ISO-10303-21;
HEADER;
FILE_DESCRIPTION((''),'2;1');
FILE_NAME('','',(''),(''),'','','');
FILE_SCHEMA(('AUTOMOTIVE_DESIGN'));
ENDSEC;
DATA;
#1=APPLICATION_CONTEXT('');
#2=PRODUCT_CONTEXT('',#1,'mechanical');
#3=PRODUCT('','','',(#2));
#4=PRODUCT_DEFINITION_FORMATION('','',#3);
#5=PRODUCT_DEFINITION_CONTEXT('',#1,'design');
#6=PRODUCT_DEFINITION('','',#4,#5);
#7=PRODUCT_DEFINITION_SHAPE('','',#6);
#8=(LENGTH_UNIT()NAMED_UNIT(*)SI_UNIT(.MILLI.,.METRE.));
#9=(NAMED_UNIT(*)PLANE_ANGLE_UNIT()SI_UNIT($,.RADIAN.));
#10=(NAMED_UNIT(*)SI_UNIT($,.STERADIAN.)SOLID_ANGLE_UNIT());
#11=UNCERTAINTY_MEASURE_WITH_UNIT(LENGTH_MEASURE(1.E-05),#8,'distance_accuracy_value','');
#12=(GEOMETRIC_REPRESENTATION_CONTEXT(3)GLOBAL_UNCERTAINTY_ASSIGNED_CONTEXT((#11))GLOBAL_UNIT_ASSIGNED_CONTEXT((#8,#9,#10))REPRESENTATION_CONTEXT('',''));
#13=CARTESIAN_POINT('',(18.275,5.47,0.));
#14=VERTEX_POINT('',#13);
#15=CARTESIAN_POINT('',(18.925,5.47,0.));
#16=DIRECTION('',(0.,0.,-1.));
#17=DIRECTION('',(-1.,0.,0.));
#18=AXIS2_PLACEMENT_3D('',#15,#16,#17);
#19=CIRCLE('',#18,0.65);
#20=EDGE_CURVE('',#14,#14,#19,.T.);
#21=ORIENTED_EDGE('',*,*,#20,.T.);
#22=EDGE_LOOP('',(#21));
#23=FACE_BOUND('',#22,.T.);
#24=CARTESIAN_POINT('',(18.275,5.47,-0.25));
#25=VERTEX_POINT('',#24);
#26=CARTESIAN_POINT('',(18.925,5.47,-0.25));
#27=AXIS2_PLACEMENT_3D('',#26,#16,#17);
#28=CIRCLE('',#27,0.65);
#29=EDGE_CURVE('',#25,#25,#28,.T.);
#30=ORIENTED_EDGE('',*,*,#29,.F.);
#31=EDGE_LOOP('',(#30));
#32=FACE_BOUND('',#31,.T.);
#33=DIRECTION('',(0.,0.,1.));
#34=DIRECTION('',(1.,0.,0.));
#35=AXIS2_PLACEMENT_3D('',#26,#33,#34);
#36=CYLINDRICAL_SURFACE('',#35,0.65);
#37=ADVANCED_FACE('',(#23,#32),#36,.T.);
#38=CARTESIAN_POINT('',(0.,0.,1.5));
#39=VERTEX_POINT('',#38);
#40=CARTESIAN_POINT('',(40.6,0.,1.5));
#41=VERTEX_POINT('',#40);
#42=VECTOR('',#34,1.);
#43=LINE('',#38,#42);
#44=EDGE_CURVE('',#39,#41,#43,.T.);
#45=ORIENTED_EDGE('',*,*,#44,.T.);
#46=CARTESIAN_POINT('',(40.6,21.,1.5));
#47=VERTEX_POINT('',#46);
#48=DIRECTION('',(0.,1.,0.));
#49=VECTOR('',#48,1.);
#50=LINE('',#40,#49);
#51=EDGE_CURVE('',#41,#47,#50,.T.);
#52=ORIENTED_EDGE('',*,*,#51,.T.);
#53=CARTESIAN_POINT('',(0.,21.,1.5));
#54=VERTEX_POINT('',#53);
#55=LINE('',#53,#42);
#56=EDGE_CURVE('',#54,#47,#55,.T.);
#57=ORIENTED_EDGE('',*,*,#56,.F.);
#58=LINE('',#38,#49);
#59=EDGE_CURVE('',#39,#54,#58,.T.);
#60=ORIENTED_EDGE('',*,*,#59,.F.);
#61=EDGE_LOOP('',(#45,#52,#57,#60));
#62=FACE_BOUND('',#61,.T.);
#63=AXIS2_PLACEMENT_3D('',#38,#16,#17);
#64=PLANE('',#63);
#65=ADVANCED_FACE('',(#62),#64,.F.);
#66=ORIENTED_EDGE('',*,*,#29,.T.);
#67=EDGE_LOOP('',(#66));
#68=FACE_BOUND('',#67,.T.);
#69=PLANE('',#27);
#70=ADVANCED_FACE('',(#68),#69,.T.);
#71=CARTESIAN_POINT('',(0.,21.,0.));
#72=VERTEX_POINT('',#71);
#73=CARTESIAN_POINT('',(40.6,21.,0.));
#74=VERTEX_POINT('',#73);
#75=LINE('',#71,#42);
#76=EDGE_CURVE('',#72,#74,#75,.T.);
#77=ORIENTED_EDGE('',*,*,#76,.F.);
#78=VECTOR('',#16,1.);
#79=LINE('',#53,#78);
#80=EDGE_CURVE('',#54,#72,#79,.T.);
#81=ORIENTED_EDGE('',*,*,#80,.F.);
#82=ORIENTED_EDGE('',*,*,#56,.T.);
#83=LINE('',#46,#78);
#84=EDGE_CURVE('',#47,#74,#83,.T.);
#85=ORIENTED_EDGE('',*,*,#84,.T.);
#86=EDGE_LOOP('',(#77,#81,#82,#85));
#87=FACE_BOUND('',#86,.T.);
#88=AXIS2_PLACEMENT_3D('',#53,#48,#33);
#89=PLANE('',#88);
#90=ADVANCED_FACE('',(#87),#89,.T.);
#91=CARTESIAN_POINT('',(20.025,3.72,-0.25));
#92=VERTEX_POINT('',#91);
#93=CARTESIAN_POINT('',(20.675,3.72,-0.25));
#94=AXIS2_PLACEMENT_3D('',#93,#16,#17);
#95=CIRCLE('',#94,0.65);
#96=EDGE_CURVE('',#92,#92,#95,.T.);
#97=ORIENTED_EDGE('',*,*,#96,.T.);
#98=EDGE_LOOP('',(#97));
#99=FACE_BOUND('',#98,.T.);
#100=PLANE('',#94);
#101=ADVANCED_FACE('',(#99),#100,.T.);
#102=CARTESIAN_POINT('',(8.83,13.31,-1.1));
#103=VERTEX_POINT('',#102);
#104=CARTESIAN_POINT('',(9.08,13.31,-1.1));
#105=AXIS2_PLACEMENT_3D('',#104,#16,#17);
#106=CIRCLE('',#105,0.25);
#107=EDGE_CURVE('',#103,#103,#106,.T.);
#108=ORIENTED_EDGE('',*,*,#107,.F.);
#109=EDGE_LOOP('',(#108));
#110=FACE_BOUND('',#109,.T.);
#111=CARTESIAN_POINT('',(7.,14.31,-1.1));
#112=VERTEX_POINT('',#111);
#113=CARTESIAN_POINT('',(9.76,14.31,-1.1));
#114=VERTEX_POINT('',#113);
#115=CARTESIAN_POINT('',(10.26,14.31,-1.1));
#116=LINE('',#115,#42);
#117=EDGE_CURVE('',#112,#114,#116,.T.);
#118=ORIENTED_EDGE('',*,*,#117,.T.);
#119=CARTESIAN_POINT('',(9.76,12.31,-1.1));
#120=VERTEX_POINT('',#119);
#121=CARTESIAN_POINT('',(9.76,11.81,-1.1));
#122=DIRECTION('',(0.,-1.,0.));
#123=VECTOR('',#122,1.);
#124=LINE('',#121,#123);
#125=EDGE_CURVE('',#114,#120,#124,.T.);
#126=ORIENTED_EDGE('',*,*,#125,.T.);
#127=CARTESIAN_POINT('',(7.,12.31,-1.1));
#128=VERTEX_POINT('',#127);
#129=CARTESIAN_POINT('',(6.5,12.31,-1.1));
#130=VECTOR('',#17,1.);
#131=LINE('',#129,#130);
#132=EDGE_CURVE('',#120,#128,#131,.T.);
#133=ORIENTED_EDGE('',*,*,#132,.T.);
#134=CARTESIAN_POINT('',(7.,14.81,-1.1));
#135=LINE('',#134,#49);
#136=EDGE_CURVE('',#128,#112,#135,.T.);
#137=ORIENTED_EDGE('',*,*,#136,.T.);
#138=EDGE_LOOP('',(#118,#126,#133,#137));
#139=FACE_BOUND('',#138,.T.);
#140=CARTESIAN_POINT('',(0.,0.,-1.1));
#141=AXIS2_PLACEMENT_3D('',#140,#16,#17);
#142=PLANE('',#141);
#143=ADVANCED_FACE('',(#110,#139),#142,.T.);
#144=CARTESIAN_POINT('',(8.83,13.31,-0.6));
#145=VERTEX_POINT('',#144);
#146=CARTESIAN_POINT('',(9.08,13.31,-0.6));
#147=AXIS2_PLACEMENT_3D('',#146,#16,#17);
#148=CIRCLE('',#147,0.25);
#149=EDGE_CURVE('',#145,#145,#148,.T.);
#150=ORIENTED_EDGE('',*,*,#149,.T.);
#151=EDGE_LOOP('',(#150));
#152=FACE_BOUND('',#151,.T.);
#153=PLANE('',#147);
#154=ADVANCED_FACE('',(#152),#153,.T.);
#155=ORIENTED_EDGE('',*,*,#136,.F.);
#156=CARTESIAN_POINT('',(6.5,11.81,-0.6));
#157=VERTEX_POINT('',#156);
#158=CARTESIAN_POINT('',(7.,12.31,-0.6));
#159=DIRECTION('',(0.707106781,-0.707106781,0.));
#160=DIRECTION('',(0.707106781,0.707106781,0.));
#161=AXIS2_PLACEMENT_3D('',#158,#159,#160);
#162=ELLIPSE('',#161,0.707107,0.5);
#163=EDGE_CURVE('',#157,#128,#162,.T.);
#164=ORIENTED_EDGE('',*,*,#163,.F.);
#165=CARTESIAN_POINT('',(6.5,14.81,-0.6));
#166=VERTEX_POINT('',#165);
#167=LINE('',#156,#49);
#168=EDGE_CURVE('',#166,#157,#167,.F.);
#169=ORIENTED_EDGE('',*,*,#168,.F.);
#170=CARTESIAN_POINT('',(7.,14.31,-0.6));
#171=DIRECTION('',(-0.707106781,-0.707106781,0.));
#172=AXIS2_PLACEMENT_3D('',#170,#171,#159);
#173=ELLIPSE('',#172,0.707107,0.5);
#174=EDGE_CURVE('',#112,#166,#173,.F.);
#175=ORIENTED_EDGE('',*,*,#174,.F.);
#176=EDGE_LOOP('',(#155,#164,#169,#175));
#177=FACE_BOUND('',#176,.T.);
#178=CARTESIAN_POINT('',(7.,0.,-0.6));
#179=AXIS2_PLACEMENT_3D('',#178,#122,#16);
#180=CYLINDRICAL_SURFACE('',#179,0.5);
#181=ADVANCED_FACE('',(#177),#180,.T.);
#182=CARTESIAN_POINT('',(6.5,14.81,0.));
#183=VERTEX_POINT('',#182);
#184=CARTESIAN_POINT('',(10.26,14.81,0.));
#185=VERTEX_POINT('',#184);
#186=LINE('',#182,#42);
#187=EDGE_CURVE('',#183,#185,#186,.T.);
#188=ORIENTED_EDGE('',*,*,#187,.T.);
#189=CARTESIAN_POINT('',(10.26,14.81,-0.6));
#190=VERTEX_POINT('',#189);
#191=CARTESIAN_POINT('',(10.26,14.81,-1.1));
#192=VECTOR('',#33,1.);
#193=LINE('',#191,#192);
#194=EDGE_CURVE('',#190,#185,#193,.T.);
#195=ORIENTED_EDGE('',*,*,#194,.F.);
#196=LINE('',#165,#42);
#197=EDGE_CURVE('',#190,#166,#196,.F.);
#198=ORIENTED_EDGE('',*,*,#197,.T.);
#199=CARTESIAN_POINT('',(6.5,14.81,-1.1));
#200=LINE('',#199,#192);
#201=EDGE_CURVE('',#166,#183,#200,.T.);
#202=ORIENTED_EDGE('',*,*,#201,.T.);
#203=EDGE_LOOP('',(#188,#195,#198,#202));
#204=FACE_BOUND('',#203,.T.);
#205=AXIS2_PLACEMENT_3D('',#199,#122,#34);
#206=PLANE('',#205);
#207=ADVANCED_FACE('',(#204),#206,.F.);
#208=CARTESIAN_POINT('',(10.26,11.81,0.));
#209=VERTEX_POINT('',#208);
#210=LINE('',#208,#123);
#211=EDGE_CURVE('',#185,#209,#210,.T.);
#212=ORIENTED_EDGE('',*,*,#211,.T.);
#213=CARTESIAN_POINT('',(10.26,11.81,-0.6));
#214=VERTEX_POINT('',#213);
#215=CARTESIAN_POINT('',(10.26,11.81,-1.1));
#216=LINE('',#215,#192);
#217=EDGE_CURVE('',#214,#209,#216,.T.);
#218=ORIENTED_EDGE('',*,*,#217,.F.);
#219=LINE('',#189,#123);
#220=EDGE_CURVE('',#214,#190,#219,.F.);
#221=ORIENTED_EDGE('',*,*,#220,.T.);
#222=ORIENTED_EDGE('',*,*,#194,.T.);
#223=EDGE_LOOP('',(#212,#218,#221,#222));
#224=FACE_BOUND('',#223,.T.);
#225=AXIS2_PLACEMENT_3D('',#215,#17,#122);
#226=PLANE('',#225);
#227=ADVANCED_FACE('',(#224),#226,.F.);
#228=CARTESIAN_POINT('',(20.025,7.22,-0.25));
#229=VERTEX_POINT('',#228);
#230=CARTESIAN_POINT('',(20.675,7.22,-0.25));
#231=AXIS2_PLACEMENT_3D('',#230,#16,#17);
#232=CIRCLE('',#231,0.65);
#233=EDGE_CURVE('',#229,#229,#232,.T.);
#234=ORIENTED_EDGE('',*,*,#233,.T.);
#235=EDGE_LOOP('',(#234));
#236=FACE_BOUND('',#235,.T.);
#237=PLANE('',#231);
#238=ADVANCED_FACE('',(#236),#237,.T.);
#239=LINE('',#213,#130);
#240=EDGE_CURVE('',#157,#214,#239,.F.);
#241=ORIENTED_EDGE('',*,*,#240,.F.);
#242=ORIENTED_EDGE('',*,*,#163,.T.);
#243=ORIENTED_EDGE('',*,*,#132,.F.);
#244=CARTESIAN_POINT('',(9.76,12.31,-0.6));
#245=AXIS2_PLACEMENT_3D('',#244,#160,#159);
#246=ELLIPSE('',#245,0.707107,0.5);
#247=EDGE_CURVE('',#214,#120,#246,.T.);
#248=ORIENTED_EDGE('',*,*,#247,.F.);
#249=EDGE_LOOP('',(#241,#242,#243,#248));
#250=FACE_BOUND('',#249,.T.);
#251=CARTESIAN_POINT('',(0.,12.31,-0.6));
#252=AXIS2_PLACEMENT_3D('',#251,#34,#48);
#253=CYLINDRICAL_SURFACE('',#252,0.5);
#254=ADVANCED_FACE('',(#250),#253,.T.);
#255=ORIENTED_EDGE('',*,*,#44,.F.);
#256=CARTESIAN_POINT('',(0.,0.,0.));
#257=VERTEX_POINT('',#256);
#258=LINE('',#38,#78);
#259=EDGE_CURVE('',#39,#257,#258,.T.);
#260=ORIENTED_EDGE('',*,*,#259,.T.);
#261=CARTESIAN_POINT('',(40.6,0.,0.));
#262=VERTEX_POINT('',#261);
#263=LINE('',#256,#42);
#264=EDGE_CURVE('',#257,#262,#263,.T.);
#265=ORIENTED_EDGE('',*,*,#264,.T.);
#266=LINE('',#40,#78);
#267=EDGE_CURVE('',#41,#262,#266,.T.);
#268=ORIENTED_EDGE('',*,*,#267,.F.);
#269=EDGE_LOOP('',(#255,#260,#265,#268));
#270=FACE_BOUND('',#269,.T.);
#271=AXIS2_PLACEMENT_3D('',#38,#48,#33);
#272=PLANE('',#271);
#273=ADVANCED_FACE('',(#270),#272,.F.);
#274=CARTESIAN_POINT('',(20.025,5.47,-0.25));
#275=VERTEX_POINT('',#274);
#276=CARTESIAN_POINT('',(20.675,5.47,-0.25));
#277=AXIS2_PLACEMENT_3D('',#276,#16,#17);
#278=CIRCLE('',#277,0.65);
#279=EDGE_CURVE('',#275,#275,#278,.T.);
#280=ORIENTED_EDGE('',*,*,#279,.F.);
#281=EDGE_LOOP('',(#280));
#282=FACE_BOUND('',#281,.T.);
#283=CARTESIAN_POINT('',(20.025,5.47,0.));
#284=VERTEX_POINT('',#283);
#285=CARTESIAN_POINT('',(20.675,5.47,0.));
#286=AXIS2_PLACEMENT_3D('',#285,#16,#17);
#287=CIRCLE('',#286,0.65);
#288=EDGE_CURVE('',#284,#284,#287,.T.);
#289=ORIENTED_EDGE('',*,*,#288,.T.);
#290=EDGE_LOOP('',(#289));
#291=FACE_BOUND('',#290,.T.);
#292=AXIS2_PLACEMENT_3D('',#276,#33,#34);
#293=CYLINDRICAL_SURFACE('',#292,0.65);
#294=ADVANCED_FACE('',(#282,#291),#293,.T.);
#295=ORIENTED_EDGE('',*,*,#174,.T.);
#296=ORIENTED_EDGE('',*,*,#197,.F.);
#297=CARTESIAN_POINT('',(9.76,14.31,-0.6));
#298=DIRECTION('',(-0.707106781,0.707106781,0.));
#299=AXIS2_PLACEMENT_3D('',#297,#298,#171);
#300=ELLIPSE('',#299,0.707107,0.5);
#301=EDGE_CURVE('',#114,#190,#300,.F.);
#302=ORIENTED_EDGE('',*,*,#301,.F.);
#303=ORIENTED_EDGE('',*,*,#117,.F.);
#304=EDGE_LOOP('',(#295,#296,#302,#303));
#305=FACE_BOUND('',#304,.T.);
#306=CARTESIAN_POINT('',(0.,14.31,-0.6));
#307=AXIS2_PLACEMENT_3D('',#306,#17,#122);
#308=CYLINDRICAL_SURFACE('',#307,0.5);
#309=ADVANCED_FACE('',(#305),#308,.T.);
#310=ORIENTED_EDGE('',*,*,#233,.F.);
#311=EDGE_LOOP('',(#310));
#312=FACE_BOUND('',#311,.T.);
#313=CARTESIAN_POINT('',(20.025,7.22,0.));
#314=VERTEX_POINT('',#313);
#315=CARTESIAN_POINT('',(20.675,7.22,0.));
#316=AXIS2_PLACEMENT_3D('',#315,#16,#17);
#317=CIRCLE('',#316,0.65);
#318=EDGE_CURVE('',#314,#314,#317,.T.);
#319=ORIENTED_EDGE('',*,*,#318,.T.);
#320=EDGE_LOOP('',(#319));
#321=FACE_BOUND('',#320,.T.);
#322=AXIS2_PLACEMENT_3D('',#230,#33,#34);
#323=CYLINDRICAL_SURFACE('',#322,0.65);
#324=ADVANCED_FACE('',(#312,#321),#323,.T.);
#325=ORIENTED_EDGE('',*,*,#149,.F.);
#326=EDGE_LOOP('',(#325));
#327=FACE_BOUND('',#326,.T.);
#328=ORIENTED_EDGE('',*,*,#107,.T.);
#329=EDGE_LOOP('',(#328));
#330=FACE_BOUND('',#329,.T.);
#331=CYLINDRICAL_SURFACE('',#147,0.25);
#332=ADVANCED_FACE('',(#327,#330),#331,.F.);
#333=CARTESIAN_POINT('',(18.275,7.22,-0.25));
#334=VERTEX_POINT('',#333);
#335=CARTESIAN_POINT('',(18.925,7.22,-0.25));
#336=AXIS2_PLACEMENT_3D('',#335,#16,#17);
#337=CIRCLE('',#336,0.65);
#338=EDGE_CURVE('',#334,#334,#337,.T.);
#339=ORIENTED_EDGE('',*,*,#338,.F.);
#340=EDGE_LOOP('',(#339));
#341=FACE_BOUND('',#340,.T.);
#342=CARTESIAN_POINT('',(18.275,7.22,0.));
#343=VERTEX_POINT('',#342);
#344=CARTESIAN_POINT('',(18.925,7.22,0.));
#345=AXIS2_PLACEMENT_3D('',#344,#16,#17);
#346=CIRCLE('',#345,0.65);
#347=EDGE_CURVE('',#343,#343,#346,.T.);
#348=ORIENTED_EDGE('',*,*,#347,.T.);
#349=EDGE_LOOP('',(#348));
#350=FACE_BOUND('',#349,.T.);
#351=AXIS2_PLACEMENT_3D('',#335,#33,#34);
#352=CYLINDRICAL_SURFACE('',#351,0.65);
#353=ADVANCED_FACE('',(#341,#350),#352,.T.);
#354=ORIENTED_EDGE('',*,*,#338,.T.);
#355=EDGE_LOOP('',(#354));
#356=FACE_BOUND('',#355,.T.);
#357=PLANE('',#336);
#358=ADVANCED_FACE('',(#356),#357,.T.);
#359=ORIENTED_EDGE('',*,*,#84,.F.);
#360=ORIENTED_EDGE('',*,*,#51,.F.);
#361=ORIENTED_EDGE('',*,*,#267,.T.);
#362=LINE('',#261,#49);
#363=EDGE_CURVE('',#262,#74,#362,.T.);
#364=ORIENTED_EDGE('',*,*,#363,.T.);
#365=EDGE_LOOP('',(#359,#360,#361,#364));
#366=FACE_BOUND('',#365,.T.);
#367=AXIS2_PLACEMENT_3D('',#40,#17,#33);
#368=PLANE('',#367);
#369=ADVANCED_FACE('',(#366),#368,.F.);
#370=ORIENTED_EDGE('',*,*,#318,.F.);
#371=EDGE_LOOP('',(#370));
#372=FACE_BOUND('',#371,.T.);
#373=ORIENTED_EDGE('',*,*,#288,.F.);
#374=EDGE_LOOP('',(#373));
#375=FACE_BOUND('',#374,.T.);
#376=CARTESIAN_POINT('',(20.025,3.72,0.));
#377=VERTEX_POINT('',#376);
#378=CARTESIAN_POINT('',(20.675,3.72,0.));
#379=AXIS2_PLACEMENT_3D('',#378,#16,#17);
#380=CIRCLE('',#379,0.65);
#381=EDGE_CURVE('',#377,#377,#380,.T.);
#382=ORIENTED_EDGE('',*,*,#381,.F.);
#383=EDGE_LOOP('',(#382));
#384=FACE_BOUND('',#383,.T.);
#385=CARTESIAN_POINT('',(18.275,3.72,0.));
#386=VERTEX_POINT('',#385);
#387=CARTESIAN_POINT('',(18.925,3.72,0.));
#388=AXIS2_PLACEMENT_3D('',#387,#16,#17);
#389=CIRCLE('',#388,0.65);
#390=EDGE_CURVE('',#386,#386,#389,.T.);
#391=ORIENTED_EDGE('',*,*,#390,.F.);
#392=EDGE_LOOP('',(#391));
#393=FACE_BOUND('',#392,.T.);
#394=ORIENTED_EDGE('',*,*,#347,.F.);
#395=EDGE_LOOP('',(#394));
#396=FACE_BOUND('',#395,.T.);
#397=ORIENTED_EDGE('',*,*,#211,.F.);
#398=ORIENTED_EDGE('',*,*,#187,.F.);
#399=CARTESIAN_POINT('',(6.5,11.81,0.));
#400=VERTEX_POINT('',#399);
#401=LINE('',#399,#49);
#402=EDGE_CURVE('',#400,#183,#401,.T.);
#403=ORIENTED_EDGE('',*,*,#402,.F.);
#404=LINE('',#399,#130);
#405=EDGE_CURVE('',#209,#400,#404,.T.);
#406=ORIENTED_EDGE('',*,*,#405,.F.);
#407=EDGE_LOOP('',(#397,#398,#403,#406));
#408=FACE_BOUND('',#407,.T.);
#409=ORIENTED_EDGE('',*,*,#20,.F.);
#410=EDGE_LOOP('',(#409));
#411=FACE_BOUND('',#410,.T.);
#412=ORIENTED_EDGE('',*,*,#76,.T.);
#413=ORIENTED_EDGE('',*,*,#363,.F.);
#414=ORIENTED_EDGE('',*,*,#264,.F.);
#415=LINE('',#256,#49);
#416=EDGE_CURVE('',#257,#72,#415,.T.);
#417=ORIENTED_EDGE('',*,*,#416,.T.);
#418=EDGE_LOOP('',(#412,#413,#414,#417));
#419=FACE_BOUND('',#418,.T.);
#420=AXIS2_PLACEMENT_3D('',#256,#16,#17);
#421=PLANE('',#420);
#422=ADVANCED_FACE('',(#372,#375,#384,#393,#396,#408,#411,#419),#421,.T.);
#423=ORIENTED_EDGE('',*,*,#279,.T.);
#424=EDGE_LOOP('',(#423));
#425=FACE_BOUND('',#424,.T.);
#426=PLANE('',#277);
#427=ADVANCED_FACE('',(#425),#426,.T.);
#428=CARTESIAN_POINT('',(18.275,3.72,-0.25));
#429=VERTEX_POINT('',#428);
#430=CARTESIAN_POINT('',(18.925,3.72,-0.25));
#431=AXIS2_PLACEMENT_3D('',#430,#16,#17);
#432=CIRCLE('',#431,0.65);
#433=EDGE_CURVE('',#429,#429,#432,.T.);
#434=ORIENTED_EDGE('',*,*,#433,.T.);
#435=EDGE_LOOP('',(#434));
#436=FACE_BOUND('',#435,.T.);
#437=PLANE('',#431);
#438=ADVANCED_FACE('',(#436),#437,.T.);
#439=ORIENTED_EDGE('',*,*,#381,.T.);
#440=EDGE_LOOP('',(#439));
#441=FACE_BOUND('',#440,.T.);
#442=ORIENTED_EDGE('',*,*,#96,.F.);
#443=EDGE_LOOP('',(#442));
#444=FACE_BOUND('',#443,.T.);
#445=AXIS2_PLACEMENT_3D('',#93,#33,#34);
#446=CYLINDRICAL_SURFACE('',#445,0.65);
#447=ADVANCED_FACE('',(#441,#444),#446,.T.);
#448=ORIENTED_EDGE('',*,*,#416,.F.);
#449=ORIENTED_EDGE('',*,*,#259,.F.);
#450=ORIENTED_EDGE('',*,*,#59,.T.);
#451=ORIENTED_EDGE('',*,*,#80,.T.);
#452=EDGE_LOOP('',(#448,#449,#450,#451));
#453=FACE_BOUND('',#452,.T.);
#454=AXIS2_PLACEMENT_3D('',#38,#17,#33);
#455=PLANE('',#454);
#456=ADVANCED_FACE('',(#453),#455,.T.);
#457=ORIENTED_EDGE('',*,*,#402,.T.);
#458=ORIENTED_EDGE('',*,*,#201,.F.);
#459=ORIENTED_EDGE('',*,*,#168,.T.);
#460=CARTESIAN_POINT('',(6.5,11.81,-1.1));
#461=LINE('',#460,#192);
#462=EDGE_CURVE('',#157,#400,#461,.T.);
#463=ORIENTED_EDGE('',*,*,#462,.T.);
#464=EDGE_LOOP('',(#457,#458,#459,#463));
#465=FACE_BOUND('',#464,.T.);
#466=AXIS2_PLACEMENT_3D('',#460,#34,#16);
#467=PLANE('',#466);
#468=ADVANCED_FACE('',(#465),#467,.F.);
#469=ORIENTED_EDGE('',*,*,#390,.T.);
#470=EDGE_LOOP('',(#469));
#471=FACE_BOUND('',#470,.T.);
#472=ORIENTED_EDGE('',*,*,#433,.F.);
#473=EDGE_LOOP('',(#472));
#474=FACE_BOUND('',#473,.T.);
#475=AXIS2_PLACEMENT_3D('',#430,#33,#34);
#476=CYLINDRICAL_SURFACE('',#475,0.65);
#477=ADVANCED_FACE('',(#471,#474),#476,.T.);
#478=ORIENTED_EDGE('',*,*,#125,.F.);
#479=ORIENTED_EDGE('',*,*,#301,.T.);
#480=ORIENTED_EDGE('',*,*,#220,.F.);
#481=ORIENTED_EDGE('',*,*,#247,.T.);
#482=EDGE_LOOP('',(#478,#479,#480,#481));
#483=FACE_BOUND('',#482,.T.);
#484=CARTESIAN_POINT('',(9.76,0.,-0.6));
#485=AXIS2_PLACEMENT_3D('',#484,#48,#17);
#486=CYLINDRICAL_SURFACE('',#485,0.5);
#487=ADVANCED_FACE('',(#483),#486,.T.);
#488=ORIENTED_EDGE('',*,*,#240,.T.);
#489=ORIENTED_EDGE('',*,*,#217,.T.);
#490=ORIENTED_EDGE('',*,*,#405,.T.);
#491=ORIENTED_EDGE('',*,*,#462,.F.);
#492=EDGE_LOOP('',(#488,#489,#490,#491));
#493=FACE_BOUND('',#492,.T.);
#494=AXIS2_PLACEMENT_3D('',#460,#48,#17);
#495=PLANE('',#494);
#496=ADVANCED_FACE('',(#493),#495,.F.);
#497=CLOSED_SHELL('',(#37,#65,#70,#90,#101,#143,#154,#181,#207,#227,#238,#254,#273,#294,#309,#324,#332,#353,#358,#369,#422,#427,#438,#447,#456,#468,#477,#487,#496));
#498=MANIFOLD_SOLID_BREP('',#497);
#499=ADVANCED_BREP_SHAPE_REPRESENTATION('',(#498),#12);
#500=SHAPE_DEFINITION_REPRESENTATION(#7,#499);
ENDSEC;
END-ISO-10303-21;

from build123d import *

# Parameters (mm, degrees)
SKETCH1_W           = 40.6
SKETCH1_H           = 21
BOSS_EXTRUDE1_DEPTH = 1.5
SKETCH2_W           = 3.76
SKETCH2_H           = 3
BOSS_EXTRUDE3_DEPTH = 1.1
SKETCH3_R           = 0.25
CUT_EXTRUDE1_DEPTH  = 0.5
FILLET3_R           = 0.5
SKETCH4_R           = 0.65
BOSS_EXTRUDE4_DEPTH = 0.25


with BuildPart() as part:
    # Sketch1 → Boss-Extrude1 (new body)
    with BuildSketch(Plane.XY):
        with Locations((20.3, 10.5)):
            Rectangle(SKETCH1_W, SKETCH1_H)
    extrude(amount=BOSS_EXTRUDE1_DEPTH)

    # Sketch2 → Boss-Extrude3 (add)
    with BuildSketch(Plane(origin=(0, 0, 0), x_dir=(-1, 0, 0), z_dir=(0, 0, -1))):
        with Locations((-8.38, 13.31)):
            Rectangle(SKETCH2_W, SKETCH2_H)
    extrude(amount=BOSS_EXTRUDE3_DEPTH)

    # Sketch3 → Cut-Extrude1 (cut)
    with BuildSketch(Plane(origin=(0, 0, -1.1), x_dir=(-1, 0, 0), z_dir=(0, 0, -1))):
        with Locations((-9.08, 13.31)):
            Circle(SKETCH3_R)
    extrude(amount=-CUT_EXTRUDE1_DEPTH, mode=Mode.SUBTRACT)

    # Fillet3
    fillet3_edges = [part.edges().sort_by_distance(p)[0] for p in [
        (6.5, 13.31, -1.1),
        (8.38, 14.81, -1.1),
        (10.26, 13.31, -1.1),
        (8.38, 11.81, -1.1),
    ]]
    fillet(fillet3_edges, radius=FILLET3_R)

    # Sketch4 → Boss-Extrude4 (add)
    with BuildSketch(Plane(origin=(0, 0, 0), x_dir=(-1, 0, 0), z_dir=(0, 0, -1))):
        with Locations((-18.925, 3.72)):
            Circle(SKETCH4_R)
        with Locations((-20.675, 3.72)):
            Circle(SKETCH4_R)
        with Locations((-20.675, 5.47)):
            Circle(SKETCH4_R)
        with Locations((-20.675, 7.22)):
            Circle(SKETCH4_R)
        with Locations((-18.925, 5.47)):
            Circle(SKETCH4_R)
        with Locations((-18.925, 7.22)):
            Circle(SKETCH4_R)
    extrude(amount=BOSS_EXTRUDE4_DEPTH)


solid = part.part
